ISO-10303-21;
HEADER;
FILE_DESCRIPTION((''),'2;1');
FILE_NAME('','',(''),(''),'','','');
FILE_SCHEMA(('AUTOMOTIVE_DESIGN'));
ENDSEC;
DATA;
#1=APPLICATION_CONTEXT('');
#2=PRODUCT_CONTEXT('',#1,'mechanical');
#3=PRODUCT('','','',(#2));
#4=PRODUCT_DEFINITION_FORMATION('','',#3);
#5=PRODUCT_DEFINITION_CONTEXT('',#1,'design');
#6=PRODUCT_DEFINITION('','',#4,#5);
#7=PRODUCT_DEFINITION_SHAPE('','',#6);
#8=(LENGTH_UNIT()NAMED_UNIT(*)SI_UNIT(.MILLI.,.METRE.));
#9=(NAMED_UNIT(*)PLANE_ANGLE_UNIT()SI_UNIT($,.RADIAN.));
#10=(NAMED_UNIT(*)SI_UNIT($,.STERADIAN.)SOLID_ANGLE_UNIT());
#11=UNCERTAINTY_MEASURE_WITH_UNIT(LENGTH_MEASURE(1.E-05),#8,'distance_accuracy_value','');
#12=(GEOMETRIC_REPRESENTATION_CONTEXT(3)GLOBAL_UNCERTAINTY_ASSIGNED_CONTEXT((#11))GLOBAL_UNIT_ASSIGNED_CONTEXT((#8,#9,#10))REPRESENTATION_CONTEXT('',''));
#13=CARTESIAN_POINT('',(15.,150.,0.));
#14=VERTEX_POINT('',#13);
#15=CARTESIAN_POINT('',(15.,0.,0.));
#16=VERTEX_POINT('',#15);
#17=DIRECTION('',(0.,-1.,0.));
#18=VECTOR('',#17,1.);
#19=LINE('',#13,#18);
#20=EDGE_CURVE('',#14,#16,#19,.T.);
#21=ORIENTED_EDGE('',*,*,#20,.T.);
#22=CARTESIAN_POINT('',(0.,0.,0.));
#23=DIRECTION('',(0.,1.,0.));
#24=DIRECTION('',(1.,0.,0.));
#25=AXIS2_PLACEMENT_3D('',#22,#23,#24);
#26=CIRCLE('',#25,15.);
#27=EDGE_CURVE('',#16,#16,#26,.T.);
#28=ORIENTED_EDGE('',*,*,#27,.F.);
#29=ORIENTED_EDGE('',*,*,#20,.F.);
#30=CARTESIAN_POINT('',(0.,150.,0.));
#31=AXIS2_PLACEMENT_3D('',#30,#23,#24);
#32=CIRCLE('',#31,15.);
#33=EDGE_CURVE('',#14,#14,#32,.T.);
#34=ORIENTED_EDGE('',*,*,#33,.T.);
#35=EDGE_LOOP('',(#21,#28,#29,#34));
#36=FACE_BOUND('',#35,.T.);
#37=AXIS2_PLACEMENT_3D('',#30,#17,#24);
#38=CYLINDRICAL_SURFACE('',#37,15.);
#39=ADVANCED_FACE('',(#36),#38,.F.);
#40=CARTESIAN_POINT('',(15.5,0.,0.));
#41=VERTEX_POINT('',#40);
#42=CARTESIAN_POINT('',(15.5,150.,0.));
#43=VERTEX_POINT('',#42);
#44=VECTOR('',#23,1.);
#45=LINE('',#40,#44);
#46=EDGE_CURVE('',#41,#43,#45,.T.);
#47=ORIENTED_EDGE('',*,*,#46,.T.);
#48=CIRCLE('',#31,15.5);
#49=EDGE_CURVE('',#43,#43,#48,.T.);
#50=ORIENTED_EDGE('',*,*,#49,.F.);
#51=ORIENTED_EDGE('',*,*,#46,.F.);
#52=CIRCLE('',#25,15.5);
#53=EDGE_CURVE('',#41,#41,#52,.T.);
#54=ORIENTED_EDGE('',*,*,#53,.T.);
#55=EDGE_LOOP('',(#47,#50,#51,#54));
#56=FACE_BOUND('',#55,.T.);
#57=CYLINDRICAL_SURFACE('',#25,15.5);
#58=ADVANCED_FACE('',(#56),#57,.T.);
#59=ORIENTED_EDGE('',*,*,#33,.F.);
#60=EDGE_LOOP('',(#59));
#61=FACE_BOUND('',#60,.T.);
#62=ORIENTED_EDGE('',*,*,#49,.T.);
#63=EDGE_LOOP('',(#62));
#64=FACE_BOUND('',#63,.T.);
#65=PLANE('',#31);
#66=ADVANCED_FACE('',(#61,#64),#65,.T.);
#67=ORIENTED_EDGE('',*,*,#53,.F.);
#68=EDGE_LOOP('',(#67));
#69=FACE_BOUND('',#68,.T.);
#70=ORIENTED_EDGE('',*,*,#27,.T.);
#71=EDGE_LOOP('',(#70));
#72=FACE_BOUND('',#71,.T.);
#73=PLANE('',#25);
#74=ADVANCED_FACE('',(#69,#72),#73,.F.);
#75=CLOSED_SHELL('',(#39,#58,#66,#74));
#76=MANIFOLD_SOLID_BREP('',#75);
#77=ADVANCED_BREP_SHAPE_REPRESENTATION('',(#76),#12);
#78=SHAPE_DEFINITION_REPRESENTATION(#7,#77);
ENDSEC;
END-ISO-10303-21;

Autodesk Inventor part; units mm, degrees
ref_plane "YZ Plane" through (0, 0, 0) normal (1, 0, 0) x (0, 1, 0)
ref_plane "XZ Plane" through (0, 0, 0) normal (0, 1, 0) x (-1, 0, 0)
ref_plane "XY Plane" through (0, 0, 0) normal (0, 0, 1) x (1, 0, 0)
sketch "Sketch1" plane through (0, 0, 0) normal (0, 0, 1) x (1, 0, 0)
  line L0 (15, 0) -> (15.5, 0)
  line L1 (15.5, 0) -> (15.5, 150)
  line L2 (15.5, 150) -> (15, 150)
  line L3 (15, 150) -> (15, 0)
  line L4 (0, -30) -> (0, 180) projected
  point P0 (0, 0)
  dimension "d0" = 15
  dimension "d1" = 15.5
  dimension "d2" = 150
revolve "Revolution1" add sketch "Sketch1" angle 360 about axis through (0, -10, 0) along (0, 1, 0)
properties part number "insulation" material "Wood (Maple)"
